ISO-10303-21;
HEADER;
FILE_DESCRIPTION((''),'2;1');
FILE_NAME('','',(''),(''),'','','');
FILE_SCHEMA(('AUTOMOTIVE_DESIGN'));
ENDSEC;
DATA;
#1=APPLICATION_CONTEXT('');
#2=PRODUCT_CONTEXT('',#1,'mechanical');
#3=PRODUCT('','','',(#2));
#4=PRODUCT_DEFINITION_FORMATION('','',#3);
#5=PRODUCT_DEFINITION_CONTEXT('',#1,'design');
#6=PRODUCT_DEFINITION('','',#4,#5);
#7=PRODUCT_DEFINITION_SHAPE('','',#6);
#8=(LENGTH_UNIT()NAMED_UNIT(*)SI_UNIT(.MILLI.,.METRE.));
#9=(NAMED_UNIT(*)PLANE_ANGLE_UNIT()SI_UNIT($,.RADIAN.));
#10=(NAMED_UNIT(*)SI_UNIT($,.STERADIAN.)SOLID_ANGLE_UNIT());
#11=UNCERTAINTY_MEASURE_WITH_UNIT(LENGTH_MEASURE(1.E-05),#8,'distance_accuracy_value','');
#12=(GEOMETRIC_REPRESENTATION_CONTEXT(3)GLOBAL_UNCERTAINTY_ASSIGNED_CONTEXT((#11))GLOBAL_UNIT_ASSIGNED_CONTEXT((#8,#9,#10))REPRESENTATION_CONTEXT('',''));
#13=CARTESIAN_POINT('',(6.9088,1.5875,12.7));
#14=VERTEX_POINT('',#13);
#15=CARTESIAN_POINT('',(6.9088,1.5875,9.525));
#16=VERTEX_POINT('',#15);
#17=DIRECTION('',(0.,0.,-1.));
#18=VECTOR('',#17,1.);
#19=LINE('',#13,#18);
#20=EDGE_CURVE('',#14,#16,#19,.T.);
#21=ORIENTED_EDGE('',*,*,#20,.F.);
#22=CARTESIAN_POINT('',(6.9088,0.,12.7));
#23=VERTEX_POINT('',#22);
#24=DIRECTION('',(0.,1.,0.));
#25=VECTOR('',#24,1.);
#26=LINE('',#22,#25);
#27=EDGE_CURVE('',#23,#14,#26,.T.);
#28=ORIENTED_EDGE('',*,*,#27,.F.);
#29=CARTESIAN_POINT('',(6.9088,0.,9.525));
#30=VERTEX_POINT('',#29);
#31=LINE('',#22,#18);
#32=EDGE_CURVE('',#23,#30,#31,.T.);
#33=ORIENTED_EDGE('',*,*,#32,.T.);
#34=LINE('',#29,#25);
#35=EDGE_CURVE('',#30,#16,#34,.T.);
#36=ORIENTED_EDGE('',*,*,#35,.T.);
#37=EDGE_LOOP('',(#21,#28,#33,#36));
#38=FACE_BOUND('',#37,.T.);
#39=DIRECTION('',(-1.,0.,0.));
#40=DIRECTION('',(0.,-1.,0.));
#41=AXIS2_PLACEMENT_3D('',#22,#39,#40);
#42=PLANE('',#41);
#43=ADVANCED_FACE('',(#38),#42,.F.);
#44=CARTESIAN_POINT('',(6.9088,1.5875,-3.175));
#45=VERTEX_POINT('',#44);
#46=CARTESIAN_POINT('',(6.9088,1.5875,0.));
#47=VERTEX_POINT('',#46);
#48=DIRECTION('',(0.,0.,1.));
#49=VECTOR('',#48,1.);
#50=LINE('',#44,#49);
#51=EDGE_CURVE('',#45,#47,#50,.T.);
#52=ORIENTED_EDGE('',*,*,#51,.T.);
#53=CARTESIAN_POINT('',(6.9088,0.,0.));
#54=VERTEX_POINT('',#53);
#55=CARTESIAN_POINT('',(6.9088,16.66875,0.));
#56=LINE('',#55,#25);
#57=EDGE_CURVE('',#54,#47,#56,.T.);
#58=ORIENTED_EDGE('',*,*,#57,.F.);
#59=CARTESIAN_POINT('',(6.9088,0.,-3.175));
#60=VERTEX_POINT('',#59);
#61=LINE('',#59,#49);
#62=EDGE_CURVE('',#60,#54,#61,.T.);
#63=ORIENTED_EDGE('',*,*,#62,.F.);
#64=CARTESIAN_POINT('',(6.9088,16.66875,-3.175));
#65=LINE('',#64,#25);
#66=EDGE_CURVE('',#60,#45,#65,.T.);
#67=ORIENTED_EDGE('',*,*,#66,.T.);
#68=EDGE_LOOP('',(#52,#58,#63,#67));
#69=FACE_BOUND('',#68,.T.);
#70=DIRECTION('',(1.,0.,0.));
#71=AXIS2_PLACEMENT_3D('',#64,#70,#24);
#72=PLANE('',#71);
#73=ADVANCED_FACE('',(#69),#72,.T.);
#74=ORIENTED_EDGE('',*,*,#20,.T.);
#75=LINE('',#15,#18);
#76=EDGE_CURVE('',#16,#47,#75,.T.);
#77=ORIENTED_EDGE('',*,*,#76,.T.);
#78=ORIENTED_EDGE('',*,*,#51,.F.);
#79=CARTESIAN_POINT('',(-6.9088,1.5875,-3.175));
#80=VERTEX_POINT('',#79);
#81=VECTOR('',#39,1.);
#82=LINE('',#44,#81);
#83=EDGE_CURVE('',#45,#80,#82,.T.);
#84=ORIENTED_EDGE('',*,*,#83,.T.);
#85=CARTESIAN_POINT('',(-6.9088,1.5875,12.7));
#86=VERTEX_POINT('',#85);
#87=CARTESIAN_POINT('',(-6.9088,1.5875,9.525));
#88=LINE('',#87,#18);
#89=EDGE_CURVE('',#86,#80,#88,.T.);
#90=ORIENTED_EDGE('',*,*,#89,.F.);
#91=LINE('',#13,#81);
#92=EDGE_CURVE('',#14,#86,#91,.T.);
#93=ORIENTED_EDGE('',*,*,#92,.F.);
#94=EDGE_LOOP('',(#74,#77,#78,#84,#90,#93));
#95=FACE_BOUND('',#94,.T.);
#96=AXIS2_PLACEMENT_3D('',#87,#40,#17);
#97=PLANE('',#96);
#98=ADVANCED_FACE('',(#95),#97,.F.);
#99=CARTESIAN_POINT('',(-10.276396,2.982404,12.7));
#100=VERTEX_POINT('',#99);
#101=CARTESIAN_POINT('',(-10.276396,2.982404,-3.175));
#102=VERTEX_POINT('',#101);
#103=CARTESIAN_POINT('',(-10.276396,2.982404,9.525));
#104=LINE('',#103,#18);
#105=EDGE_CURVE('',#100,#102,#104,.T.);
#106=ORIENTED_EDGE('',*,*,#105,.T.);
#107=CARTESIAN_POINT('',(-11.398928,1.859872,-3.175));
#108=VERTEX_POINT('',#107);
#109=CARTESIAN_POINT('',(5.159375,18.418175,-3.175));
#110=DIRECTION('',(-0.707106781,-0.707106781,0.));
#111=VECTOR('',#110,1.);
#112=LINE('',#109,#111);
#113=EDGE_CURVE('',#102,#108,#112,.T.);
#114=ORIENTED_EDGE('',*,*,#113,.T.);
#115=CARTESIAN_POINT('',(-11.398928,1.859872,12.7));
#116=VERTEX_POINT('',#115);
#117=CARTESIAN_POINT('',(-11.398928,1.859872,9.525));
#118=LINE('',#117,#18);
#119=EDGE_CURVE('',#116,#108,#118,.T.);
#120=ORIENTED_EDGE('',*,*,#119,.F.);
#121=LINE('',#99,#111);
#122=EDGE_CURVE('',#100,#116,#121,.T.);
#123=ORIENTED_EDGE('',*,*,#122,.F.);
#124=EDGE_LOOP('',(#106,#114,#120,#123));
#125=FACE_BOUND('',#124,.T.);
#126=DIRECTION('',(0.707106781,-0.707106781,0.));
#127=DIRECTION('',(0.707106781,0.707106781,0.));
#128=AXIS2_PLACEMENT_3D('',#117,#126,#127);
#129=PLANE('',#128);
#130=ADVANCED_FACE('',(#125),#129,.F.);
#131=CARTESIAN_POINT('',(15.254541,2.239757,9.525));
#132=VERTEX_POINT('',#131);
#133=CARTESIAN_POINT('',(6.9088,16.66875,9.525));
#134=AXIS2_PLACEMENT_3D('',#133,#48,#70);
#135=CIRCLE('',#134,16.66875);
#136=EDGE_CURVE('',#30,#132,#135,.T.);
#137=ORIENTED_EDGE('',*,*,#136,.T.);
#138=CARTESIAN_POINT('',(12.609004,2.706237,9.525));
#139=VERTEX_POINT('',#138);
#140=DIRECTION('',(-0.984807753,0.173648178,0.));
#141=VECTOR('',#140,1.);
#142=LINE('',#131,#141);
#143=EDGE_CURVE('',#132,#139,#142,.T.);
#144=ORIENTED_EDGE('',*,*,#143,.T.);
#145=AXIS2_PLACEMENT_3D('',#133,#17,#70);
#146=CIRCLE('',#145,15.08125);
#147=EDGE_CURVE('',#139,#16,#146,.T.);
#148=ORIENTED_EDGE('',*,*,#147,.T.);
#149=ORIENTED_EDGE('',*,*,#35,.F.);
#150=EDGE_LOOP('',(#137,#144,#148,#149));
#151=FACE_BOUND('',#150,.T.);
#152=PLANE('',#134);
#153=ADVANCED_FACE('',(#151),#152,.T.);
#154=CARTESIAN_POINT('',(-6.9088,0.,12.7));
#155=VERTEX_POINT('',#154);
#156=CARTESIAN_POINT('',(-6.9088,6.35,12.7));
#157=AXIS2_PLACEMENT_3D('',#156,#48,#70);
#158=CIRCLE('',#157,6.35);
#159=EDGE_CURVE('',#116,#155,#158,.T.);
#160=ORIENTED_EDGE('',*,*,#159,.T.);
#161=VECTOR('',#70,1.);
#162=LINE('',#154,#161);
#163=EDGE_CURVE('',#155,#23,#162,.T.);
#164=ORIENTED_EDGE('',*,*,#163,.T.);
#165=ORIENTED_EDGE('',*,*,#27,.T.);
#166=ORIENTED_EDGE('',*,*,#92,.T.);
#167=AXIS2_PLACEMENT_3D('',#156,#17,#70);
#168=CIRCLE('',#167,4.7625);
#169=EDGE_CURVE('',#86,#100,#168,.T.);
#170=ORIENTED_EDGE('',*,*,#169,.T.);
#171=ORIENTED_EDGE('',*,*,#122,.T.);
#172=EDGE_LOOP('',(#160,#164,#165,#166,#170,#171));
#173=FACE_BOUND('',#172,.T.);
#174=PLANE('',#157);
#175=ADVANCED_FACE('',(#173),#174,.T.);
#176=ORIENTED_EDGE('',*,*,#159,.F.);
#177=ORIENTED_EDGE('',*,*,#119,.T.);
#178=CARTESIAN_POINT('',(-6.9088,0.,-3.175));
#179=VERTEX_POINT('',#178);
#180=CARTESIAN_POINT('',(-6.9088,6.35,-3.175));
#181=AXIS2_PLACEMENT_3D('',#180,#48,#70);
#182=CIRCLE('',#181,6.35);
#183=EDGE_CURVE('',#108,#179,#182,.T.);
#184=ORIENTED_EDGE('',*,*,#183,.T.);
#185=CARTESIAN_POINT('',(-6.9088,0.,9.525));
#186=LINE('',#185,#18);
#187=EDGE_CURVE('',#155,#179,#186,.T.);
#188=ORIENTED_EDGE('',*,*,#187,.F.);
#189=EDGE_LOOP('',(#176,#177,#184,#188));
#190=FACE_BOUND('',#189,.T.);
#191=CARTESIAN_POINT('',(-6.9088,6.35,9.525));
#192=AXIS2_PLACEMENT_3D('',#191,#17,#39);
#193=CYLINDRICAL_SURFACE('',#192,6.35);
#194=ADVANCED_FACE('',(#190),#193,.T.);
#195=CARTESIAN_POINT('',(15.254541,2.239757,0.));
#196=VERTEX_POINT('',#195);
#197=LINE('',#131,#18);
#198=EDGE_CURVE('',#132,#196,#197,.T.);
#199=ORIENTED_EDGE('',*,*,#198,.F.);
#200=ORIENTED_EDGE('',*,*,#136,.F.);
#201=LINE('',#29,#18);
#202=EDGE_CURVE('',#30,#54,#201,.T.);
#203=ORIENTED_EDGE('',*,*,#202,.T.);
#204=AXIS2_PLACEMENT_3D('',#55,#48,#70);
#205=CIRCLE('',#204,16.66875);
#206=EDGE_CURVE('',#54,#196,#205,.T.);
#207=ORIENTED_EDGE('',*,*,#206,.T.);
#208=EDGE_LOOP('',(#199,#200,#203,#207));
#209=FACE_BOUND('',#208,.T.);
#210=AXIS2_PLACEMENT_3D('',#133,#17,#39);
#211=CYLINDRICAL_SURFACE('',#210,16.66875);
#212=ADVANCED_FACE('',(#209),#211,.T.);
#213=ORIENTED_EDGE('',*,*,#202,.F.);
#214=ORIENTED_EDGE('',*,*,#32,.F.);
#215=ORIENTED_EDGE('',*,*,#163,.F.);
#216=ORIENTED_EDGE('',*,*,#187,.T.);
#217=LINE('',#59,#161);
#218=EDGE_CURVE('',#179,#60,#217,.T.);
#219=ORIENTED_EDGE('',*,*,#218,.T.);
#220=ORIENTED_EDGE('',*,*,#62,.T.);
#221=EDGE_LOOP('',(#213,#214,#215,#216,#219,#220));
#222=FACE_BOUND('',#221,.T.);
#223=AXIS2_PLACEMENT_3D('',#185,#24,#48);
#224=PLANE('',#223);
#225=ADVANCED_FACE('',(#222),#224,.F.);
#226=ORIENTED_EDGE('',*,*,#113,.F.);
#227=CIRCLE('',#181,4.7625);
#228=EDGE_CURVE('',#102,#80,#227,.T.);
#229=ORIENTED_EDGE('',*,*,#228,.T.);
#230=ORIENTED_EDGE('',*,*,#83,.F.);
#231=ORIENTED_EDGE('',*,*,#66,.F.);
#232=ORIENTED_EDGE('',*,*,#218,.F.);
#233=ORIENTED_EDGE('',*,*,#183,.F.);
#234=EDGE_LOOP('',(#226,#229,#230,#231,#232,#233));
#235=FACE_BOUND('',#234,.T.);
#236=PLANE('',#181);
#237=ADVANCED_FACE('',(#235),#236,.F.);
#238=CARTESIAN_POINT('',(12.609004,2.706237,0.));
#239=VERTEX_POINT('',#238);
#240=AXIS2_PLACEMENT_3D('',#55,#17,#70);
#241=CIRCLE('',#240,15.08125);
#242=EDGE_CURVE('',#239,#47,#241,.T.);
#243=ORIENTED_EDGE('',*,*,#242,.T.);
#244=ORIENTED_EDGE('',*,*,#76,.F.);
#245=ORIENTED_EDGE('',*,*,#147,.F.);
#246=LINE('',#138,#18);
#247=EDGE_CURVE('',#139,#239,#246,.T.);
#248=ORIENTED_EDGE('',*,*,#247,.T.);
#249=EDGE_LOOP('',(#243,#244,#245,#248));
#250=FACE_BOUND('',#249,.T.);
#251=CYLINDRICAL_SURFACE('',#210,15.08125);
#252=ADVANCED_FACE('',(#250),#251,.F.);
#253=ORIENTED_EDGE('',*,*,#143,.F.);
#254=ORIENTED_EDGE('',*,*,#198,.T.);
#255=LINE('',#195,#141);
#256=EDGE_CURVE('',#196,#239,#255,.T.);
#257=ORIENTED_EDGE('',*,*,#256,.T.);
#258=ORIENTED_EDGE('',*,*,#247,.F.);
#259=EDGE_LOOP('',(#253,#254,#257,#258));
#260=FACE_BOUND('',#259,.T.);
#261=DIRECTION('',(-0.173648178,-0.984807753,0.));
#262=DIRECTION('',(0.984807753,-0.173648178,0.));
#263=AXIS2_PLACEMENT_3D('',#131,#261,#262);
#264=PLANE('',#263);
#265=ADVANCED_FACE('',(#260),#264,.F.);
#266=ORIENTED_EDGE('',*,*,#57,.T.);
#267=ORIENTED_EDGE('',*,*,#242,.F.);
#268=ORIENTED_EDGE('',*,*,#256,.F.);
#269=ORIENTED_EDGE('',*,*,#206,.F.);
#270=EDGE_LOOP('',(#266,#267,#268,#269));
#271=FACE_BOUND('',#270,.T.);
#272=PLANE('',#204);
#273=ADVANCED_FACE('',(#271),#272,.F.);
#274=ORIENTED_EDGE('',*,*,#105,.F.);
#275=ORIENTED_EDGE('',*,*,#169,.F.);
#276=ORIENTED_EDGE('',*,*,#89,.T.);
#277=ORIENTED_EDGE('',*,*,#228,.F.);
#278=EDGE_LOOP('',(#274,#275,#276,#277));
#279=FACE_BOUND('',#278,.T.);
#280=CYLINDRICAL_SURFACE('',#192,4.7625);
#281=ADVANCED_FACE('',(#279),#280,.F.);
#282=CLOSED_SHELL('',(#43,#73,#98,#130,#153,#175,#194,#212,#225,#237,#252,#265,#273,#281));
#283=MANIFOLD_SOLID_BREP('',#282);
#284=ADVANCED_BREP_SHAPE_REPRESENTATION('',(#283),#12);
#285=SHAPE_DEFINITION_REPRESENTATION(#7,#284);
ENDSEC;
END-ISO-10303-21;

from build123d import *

# Parameters (mm, degrees)
BOSS_EXTRUDE1_DEPTH = 9.525
BOSS_EXTRUDE2_DEPTH = 3.175
BOSS_EXTRUDE3_START = -12.7
BOSS_EXTRUDE3_DEPTH = 3.175


with BuildPart() as part:
    # Sketch1 → Boss-Extrude1 (new body)
    with BuildSketch(Plane.XY):
        with BuildLine():
            Line((-6.9088, 0), (6.9088, 0))
            ThreePointArc((6.9088, 0), (11.229329629, 0.569673931), (15.254541002, 2.239757184))
            Line((15.254541002, 2.239757184), (12.609003955, 2.706236743))
            ThreePointArc((12.609003955, 2.706236743), (9.813274868, 1.869826819), (6.9088, 1.5875))
            Line((6.9088, 1.5875), (-6.9088, 1.5875))
            ThreePointArc((-6.9088, 1.5875), (-8.731329847, 1.950023726), (-10.276396045, 2.982403955))
            Line((-10.276396045, 2.982403955), (-11.398928061, 1.859871939))
            ThreePointArc((-11.398928061, 1.859871939), (-9.338839796, 0.483364969), (-6.9088, 0))
        make_face()
    extrude(amount=BOSS_EXTRUDE1_DEPTH)

    # Sketch2 → Boss-Extrude2 (add)
    with BuildSketch(Plane.XY.offset(9.525)):
        with BuildLine():
            Line((6.9088, 0), (6.9088, 1.5875))
            Line((6.9088, 1.5875), (-6.9088, 1.5875))
            ThreePointArc((-6.9088, 1.5875), (-8.731329847, 1.950023726), (-10.276396045, 2.982403955))
            Line((-10.276396045, 2.982403955), (-11.398928061, 1.859871939))
            ThreePointArc((-11.398928061, 1.859871939), (-9.338839796, 0.483364969), (-6.9088, 0))
            Line((-6.9088, 0), (6.9088, 0))
        make_face()
    extrude(amount=BOSS_EXTRUDE2_DEPTH)

    # Sketch2<2> → Boss-Extrude3 (add)
    with BuildSketch(Plane.XY.offset(9.525).offset(BOSS_EXTRUDE3_START)):
        with BuildLine():
            Line((-6.9088, 0), (6.9088, 0))
            Line((6.9088, 0), (6.9088, 1.5875))
            Line((6.9088, 1.5875), (-6.9088, 1.5875))
            ThreePointArc((-6.9088, 1.5875), (-8.731329847, 1.950023726), (-10.276396045, 2.982403955))
            Line((-10.276396045, 2.982403955), (-11.398928061, 1.859871939))
            ThreePointArc((-11.398928061, 1.859871939), (-9.338839796, 0.483364969), (-6.9088, 0))
        make_face()
    extrude(amount=BOSS_EXTRUDE3_DEPTH)


solid = part.part
